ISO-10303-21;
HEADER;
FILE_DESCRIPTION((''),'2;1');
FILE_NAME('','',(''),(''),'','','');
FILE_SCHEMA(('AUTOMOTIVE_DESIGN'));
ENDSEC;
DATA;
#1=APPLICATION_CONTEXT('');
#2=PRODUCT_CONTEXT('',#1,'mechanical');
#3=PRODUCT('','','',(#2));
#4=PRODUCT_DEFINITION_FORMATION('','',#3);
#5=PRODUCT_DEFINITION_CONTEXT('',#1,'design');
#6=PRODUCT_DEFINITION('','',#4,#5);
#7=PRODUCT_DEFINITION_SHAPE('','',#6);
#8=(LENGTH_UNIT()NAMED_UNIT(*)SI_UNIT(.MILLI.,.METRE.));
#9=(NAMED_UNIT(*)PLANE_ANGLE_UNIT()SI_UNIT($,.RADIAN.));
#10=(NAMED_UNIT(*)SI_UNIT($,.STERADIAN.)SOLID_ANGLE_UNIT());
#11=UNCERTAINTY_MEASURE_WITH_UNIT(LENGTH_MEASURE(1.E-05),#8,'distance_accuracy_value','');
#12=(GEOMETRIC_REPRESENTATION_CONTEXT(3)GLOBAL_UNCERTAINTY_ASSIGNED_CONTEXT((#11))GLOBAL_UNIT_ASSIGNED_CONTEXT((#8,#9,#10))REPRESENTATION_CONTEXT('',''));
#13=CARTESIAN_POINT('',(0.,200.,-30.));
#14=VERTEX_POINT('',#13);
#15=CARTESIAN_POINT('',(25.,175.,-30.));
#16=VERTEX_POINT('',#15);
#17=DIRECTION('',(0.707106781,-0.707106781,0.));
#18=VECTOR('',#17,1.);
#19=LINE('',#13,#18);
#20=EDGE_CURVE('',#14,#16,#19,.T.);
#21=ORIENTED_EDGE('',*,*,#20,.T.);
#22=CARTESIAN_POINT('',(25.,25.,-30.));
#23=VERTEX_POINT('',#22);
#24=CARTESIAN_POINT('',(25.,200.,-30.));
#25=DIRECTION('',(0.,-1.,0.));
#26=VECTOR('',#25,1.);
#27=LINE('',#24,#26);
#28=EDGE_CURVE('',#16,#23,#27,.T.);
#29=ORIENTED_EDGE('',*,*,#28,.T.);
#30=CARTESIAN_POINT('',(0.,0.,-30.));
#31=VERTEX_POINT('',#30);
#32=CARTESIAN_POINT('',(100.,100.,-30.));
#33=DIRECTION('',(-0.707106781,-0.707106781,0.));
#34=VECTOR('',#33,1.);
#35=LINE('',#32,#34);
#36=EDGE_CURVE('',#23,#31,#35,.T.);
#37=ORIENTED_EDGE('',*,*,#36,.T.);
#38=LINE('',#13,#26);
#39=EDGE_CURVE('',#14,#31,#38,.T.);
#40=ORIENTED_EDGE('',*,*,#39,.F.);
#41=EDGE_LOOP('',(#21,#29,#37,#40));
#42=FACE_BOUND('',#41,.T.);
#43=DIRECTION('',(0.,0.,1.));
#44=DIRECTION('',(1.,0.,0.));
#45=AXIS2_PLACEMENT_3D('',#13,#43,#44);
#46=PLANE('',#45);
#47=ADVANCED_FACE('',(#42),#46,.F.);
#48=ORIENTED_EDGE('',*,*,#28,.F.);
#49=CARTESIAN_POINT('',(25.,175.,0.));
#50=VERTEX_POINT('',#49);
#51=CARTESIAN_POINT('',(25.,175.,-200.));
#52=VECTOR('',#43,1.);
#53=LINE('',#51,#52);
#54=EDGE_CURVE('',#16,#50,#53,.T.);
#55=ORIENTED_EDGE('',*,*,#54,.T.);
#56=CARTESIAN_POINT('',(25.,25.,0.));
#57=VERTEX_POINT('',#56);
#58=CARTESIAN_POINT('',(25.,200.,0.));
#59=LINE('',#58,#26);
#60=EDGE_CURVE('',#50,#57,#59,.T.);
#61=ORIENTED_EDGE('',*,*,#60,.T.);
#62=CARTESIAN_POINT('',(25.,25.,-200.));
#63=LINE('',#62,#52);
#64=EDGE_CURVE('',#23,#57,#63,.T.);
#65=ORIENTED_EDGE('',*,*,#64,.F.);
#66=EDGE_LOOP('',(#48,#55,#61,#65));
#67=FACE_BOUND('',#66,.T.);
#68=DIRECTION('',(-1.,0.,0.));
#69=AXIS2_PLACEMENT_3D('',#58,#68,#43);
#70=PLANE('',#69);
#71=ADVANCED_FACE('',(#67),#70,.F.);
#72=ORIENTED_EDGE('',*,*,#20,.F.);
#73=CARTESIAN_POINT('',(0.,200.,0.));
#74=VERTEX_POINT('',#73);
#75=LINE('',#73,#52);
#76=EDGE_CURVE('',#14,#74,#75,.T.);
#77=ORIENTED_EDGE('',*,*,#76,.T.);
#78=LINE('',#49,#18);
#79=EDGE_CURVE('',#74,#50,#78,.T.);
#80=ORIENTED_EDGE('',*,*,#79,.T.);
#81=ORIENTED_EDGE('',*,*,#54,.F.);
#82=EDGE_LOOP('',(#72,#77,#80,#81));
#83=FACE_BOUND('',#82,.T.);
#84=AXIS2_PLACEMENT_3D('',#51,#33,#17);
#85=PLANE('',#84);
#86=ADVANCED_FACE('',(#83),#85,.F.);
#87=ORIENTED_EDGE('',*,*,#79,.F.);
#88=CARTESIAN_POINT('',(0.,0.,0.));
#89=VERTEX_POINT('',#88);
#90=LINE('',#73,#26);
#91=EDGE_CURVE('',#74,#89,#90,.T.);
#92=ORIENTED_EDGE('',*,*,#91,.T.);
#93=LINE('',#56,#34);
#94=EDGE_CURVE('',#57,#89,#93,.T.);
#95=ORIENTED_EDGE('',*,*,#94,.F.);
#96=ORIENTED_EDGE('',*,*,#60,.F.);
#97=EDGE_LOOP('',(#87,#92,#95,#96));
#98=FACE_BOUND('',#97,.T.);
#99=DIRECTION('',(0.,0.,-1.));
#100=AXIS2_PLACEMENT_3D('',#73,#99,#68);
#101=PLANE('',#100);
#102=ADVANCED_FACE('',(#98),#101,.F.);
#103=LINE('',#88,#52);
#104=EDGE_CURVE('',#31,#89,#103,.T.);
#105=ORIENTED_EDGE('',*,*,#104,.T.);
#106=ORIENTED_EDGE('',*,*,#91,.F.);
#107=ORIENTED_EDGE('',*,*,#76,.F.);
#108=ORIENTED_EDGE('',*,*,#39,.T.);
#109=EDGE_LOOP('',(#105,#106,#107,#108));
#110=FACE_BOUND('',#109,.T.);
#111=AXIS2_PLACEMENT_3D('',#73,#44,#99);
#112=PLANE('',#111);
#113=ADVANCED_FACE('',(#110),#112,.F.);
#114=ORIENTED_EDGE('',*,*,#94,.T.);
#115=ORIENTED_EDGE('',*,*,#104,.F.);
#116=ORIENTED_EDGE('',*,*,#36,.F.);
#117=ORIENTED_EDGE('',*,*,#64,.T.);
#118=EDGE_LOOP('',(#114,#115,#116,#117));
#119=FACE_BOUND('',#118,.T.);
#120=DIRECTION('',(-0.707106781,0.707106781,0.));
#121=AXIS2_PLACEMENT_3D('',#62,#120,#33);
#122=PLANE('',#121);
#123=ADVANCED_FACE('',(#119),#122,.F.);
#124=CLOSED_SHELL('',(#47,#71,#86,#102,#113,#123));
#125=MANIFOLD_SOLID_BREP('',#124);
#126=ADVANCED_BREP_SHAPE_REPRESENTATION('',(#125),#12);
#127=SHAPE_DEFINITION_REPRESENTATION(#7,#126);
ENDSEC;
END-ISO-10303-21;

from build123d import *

# Parameters (mm, degrees)
SKETCH1_W           = 25
SKETCH1_H           = 30
BOSS_EXTRUDE1_DEPTH = 200
CUT_EXTRUDE1_DEPTH  = 200


with BuildPart() as part:
    # Sketch1 → Boss-Extrude1 (new body)
    with BuildSketch(Plane(origin=(0, 0, 0), x_dir=(1, 0, 0), z_dir=(0, 1, 0))):
        with Locations((12.5, 15)):
            Rectangle(SKETCH1_W, SKETCH1_H)
    extrude(amount=BOSS_EXTRUDE1_DEPTH)

    # Sketch2 → Cut-Extrude1 (cut)
    with BuildSketch(Plane.XY):
        Polygon((0, 0), (25, 0), (25, 25), align=None)
        Polygon((25, 175), (0, 200), (25, 200), align=None)
    extrude(amount=-CUT_EXTRUDE1_DEPTH, mode=Mode.SUBTRACT)


solid = part.part
